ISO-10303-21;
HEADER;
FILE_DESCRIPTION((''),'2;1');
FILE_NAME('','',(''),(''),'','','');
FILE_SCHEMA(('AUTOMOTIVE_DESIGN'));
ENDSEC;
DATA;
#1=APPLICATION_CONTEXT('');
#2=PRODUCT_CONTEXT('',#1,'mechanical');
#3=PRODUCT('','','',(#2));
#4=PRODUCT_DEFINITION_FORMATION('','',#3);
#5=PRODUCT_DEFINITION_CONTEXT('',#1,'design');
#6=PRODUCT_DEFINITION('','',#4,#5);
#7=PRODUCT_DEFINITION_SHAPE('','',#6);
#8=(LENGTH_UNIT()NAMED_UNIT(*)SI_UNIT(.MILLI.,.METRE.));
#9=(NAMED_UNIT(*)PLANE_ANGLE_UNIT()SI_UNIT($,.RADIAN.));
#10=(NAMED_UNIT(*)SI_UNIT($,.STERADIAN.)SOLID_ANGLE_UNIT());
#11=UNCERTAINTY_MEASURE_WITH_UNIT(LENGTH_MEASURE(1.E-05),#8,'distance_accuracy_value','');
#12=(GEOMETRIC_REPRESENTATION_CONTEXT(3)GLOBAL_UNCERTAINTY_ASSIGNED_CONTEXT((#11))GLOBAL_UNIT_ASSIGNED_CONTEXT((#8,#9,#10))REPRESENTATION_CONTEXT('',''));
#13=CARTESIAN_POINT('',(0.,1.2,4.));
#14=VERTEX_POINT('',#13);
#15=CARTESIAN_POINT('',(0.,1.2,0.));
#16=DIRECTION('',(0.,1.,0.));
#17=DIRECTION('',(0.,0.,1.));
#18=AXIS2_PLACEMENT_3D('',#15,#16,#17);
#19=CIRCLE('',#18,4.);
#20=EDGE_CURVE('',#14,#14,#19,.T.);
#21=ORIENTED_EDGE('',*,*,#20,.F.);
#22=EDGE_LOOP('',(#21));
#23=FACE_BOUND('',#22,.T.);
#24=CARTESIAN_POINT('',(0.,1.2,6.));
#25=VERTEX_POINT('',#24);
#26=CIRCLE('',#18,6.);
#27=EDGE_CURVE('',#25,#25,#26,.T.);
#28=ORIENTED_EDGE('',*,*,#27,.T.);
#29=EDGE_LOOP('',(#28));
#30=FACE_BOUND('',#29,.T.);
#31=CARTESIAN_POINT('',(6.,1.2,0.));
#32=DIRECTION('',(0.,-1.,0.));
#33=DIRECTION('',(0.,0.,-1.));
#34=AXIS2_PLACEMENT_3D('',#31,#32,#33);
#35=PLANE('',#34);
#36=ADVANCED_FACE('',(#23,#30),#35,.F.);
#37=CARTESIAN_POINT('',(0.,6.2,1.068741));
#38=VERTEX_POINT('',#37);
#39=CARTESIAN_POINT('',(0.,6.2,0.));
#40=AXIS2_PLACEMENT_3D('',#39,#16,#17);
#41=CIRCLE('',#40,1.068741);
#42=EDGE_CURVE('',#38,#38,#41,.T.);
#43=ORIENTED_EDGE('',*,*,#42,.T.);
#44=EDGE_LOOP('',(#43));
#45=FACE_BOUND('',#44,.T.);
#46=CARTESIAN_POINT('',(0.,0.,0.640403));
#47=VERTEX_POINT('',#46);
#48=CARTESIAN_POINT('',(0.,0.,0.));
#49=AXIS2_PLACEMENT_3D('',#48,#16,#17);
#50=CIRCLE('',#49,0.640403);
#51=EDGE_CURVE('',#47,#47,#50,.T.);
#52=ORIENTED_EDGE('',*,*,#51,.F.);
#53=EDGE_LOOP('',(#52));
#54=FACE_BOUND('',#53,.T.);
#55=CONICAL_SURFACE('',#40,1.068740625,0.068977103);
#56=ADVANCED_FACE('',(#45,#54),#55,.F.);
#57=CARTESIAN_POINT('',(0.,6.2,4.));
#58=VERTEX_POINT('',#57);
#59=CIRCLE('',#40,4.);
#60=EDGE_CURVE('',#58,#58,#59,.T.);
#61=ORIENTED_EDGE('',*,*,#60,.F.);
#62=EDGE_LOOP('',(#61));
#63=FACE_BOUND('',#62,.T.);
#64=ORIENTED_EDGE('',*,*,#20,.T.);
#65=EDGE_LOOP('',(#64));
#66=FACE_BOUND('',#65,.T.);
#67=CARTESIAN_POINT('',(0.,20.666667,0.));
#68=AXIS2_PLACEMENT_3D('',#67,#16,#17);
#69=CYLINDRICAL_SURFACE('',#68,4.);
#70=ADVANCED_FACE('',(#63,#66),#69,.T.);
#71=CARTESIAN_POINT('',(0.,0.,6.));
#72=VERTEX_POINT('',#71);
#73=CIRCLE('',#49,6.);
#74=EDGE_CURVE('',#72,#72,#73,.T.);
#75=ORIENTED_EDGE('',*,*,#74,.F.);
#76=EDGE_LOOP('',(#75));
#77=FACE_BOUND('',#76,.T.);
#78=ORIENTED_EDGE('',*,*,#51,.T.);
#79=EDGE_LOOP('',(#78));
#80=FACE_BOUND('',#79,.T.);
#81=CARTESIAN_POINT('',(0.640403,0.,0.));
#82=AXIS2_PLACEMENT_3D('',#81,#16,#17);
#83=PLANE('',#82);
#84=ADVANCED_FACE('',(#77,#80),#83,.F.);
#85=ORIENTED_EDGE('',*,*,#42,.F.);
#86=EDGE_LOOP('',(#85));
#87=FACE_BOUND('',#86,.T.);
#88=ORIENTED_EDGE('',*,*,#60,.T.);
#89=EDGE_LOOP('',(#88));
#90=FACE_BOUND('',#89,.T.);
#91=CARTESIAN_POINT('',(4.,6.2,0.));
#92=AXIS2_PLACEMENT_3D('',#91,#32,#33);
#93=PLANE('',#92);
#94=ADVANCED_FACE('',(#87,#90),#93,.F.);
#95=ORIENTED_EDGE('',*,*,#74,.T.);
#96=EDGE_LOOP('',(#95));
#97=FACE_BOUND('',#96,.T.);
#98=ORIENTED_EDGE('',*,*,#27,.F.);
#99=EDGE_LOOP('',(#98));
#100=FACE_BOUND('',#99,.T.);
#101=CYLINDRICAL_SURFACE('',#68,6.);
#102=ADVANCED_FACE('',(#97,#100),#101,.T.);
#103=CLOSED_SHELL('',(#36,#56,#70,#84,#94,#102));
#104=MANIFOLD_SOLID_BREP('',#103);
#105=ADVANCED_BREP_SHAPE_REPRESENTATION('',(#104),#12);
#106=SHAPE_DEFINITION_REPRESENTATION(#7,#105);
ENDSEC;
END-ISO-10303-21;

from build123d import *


with BuildPart() as part:
    # Sketch1 → Revolve1 (revolve)
    with BuildSketch(Plane.XY):
        Polygon((0.640403048, 0), (6, 0), (6, 1.2), (4, 1.2), (4, 6.2), (1.068740625, 6.2), align=None)
    revolve(axis=Axis((0, 20.666666667, 0), (0, -1, 0)))


solid = part.part
